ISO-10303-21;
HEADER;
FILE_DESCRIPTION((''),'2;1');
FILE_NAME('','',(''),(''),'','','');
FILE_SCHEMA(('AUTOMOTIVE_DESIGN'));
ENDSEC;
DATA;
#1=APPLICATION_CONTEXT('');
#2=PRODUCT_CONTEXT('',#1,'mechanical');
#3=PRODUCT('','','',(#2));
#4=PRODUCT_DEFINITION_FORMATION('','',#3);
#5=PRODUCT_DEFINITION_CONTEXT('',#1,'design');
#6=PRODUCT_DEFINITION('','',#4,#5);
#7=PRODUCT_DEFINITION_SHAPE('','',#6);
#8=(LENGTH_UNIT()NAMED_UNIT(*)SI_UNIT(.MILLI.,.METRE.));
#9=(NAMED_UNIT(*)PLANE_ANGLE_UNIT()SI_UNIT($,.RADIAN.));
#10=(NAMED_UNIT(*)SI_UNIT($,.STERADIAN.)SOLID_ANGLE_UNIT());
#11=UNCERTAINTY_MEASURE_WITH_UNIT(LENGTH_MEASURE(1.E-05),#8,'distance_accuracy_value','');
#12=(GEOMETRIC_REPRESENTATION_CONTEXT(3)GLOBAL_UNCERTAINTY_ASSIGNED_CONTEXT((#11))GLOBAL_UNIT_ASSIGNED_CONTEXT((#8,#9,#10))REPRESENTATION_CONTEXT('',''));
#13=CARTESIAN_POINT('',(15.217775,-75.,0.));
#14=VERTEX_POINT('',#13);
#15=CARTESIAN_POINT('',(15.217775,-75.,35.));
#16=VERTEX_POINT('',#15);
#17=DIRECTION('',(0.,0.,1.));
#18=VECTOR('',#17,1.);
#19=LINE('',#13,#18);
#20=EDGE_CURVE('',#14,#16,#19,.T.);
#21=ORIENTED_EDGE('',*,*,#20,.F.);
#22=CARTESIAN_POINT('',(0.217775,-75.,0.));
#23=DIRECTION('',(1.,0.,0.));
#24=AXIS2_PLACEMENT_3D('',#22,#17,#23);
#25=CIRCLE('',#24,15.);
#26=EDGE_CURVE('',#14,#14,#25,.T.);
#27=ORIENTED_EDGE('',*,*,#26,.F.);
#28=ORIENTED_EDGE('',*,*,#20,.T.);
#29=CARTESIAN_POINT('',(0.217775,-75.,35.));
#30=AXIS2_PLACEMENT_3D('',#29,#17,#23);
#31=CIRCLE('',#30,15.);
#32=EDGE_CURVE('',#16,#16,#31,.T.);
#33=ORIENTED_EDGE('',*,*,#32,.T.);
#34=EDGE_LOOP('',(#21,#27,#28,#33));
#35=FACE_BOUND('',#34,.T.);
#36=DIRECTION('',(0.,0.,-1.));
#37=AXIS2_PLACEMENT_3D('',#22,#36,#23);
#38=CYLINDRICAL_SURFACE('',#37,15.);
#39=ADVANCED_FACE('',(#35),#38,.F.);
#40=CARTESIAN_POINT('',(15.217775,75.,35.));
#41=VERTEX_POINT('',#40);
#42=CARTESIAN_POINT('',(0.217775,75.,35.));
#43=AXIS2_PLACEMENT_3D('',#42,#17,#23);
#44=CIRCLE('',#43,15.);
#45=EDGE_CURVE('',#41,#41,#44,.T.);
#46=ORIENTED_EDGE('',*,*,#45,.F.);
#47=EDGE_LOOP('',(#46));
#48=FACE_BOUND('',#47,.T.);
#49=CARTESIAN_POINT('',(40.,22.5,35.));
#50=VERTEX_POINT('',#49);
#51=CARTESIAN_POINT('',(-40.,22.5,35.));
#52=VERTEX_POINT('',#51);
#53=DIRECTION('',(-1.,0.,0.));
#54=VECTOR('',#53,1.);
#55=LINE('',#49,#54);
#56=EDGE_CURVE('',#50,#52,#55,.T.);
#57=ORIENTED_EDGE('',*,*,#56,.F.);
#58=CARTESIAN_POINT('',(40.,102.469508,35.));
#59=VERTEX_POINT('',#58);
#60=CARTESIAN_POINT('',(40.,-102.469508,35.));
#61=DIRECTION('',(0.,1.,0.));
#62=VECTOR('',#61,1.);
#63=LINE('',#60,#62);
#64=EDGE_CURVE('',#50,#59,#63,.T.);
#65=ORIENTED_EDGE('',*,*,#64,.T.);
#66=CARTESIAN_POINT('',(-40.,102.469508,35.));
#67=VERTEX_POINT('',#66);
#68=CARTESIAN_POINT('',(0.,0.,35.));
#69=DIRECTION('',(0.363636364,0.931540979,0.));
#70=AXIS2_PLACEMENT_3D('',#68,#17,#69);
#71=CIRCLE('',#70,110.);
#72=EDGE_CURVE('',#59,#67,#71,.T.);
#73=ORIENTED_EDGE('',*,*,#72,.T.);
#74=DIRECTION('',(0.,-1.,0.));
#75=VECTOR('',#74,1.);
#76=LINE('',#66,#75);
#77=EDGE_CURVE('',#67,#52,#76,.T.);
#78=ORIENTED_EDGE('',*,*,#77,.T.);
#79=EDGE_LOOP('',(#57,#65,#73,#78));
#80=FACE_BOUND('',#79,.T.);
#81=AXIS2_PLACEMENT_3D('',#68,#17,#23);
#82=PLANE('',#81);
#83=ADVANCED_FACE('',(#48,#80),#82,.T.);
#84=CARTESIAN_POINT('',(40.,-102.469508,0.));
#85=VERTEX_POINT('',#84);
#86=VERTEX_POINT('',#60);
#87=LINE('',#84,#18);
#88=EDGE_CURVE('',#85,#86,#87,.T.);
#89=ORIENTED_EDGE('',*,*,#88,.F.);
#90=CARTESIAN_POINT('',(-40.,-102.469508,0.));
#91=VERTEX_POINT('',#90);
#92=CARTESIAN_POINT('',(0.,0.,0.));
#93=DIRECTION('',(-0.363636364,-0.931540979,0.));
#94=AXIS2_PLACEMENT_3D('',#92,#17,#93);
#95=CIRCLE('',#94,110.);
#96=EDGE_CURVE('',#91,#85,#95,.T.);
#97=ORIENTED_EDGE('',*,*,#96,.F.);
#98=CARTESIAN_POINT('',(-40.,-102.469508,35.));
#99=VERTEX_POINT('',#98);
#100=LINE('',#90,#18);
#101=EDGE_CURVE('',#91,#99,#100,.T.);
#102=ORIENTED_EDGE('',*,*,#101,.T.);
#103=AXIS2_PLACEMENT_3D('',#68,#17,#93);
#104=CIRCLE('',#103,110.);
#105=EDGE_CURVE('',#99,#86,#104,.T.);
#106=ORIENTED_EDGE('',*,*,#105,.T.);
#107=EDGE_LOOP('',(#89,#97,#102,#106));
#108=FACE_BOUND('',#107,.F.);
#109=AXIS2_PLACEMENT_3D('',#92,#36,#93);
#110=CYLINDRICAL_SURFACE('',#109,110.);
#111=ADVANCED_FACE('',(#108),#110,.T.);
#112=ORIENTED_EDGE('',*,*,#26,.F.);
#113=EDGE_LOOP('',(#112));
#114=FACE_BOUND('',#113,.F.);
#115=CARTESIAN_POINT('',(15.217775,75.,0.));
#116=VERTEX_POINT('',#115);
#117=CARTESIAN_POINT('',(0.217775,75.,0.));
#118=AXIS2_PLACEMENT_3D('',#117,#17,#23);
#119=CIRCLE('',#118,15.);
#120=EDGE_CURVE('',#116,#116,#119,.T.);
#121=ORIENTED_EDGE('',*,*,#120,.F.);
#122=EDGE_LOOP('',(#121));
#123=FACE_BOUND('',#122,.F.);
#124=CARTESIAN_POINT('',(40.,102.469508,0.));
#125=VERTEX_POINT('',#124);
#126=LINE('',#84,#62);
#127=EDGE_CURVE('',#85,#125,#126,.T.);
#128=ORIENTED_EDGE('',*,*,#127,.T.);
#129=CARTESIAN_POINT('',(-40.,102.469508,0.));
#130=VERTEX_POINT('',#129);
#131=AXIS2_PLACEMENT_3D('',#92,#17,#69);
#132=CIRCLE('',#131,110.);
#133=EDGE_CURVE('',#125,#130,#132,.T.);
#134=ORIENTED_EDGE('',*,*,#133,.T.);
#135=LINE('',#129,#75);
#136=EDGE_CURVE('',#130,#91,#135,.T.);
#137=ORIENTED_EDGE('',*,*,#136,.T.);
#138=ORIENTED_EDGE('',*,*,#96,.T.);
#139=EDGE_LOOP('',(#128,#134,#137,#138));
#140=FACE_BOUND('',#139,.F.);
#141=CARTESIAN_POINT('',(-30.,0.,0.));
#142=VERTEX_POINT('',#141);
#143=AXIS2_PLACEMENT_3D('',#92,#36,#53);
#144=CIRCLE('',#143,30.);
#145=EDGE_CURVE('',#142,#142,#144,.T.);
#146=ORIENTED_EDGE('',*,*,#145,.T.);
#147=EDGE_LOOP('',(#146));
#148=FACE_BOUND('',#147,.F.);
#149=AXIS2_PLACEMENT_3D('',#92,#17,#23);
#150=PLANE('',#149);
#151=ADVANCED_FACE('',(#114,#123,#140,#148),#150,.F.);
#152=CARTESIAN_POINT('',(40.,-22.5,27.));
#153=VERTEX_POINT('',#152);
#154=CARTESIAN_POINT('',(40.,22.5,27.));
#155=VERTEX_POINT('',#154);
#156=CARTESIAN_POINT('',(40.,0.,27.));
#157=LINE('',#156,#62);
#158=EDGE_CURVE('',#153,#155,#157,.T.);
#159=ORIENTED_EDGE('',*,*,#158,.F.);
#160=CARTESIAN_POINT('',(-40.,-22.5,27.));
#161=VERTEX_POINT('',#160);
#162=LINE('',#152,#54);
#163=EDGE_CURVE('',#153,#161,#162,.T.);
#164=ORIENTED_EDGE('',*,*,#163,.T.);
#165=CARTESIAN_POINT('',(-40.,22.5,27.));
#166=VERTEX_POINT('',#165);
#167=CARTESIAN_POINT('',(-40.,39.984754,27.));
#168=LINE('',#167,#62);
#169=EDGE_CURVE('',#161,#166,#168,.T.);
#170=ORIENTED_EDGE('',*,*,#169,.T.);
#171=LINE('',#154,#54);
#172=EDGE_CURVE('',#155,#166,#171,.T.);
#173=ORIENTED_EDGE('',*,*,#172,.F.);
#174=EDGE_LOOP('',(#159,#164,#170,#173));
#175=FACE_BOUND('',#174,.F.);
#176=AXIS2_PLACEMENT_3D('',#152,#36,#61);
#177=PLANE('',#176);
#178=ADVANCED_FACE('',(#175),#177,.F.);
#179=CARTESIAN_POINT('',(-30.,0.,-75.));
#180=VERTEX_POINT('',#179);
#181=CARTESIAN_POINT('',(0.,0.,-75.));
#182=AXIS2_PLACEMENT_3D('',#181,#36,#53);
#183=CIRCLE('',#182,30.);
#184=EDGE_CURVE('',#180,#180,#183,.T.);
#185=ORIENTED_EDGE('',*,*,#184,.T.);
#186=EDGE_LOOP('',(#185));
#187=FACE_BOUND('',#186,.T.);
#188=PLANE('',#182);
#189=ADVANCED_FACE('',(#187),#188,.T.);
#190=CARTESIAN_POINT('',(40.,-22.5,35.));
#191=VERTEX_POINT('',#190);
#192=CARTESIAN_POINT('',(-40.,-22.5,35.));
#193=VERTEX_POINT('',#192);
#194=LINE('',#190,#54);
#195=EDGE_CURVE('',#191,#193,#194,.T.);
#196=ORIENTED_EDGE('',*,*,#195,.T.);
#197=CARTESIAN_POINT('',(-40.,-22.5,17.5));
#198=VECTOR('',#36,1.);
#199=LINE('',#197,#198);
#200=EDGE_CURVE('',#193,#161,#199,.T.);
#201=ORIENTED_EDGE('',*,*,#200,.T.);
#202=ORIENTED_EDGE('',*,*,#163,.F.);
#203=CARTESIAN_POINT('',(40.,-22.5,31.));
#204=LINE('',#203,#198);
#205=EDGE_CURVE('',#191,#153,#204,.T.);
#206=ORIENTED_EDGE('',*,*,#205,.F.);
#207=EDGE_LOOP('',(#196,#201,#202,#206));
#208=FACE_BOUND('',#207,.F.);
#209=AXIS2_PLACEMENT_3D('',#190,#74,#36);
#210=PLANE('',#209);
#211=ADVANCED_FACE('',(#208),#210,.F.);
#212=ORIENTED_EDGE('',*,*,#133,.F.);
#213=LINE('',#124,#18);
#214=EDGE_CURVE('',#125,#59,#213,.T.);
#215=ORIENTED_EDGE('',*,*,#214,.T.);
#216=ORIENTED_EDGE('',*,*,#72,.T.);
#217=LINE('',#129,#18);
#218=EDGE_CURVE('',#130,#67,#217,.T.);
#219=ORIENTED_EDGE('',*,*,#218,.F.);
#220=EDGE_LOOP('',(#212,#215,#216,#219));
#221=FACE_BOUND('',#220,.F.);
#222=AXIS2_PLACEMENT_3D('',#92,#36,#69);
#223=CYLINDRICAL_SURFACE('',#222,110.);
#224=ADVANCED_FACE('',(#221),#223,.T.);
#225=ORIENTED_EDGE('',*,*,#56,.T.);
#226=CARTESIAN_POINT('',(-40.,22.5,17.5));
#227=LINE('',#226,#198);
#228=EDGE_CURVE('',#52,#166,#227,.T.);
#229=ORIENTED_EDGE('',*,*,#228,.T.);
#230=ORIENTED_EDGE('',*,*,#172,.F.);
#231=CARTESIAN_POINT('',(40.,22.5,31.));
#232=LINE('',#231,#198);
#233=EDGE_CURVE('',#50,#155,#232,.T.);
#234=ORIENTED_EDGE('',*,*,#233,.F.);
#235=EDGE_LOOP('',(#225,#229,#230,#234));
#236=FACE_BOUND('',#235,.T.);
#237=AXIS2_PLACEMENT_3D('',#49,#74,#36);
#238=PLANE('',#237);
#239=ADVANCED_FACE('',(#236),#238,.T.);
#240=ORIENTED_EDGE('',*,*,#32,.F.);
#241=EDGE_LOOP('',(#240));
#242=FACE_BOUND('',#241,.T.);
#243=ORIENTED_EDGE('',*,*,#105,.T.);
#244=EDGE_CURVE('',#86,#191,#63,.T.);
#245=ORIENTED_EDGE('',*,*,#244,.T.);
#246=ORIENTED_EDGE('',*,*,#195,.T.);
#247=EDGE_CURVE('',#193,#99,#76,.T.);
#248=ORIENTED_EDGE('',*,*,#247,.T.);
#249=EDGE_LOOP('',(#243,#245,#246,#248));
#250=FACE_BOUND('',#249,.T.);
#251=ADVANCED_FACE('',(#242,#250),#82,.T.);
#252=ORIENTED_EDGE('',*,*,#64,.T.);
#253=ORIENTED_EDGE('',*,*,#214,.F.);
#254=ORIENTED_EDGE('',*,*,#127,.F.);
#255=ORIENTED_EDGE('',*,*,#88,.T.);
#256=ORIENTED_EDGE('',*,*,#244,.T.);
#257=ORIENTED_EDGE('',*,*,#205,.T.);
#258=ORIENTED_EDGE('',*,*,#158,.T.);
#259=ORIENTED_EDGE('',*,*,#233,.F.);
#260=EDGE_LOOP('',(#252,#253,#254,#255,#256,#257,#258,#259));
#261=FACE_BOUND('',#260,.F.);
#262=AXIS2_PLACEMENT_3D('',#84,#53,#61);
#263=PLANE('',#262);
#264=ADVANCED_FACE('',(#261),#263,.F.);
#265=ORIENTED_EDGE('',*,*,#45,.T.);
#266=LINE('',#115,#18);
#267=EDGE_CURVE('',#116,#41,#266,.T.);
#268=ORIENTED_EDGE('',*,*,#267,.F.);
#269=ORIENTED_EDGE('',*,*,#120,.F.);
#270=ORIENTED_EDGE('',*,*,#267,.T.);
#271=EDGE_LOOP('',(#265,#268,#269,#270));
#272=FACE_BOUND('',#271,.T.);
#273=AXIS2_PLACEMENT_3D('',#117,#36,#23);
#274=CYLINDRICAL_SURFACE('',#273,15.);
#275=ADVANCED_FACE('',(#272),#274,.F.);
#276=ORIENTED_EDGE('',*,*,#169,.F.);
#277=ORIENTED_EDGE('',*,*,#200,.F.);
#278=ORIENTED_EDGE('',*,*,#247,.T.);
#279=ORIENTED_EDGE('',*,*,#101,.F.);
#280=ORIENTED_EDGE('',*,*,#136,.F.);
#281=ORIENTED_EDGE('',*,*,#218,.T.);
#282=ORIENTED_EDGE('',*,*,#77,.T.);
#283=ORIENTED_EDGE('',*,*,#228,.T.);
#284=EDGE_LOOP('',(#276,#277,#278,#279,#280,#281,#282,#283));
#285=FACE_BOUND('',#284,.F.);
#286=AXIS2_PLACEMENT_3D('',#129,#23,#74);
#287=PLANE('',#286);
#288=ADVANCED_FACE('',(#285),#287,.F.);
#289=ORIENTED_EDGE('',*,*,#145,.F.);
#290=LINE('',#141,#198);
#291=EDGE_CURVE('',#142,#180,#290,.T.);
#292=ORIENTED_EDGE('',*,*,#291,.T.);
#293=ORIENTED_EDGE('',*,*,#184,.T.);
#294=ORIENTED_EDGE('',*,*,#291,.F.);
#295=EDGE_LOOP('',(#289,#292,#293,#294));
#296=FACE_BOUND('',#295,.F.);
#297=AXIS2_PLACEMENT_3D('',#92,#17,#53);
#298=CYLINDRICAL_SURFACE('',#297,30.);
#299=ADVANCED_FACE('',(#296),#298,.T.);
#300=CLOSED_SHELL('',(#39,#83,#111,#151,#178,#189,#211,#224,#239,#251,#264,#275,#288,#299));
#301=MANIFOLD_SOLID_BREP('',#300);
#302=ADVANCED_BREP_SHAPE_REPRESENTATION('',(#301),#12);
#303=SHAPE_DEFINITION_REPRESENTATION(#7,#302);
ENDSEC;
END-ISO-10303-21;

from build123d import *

# Parameters (mm, degrees)
SKETCH1_R           = 15
BOSS_EXTRUDE1_DEPTH = 35
SKETCH2_W           = 8
SKETCH2_H           = 45
CUT_EXTRUDE1_DEPTH  = 85
SKETCH3_R           = 30
BOSS_EXTRUDE2_DEPTH = 75


with BuildPart() as part:
    # Sketch1 → Boss-Extrude1 (new body)
    with BuildSketch(Plane.XY):
        with BuildLine():
            Line((40, -102.46950766), (40, 102.46950766))
            ThreePointArc((40, 102.46950766), (0, 110), (-40, 102.46950766))
            Line((-40, 102.46950766), (-40, -102.46950766))
            ThreePointArc((-40, -102.46950766), (0, -110), (40, -102.46950766))
        make_face()
        with Locations((0.217775187, 75)):
            Circle(SKETCH1_R, mode=Mode.SUBTRACT)
        with Locations((0.217775187, -75)):
            Circle(SKETCH1_R, mode=Mode.SUBTRACT)
    extrude(amount=BOSS_EXTRUDE1_DEPTH)

    # Sketch2 → Cut-Extrude1 (cut)
    with BuildSketch(Plane(origin=(40, 0, 0), x_dir=(0, 0, -1), z_dir=(1, 0, 0))):
        with Locations((-31, 0)):
            Rectangle(SKETCH2_W, SKETCH2_H)
    extrude(amount=-CUT_EXTRUDE1_DEPTH, mode=Mode.SUBTRACT)

    # Sketch3 → Boss-Extrude2 (add)
    with BuildSketch(Plane(origin=(0, 0, 0), x_dir=(-1, 0, 0), z_dir=(0, 0, -1))):
        Circle(SKETCH3_R)
    extrude(amount=BOSS_EXTRUDE2_DEPTH)


solid = part.part
